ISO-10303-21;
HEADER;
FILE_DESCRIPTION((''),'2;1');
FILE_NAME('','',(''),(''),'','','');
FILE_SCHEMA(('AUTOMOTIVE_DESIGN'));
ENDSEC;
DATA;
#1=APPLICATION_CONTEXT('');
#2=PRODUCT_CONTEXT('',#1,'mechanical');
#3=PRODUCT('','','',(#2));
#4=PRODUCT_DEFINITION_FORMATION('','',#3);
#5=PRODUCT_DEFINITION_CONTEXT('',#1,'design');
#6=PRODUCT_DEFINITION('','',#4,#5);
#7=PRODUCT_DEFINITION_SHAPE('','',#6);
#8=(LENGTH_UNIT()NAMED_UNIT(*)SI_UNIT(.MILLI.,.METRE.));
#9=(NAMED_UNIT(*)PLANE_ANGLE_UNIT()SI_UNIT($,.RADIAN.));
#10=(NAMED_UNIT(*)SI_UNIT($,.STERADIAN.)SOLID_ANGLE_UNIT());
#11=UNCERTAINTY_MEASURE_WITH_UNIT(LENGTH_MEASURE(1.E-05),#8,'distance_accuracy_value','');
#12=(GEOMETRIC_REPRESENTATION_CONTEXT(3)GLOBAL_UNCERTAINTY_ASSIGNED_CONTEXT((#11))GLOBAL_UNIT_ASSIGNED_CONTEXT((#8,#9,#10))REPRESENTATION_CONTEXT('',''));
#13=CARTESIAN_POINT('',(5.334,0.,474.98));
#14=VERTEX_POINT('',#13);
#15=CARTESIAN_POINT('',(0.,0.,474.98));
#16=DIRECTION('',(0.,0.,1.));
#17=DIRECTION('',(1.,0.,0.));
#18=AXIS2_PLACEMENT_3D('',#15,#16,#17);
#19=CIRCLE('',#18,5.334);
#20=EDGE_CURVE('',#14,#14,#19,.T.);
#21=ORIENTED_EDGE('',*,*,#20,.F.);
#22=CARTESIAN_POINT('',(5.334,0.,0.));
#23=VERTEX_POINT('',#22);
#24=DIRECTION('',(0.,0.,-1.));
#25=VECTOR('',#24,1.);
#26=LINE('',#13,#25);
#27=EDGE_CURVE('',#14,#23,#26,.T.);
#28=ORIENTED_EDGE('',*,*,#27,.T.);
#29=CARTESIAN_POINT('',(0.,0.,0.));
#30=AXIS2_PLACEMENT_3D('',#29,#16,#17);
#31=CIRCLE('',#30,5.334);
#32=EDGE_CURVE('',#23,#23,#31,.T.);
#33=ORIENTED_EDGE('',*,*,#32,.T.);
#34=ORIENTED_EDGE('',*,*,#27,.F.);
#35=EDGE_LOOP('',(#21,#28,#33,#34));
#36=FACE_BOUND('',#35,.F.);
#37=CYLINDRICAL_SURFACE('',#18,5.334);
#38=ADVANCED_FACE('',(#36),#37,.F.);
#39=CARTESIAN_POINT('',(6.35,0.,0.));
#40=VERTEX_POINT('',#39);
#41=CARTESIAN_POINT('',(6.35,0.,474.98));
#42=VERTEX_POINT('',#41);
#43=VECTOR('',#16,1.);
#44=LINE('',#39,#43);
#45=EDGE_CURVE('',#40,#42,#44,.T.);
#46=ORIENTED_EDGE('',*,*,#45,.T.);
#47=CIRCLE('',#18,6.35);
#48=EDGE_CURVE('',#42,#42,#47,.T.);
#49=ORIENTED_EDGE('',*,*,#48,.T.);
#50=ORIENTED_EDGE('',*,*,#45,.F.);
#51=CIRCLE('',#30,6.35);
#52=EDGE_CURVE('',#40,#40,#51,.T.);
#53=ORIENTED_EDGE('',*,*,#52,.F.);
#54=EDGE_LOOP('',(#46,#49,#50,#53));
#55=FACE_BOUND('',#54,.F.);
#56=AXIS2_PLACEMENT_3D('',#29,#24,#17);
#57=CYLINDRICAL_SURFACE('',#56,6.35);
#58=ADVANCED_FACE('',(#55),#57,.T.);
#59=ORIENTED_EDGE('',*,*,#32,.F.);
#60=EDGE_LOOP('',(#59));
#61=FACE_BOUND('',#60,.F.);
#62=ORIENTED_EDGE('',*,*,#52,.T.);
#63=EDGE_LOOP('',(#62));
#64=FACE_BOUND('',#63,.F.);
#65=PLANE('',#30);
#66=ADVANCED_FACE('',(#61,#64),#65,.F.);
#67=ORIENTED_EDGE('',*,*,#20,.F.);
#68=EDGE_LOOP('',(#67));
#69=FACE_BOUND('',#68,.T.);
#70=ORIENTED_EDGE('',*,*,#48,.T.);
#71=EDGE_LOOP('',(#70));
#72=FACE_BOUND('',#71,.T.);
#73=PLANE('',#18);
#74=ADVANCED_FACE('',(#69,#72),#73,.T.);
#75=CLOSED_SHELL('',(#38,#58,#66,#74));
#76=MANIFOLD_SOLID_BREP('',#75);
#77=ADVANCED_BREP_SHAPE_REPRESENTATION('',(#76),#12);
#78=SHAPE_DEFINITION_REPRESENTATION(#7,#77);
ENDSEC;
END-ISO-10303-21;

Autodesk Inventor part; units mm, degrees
ref_plane "YZ Plane" through (0, 0, 0) normal (1, 0, 0) x (0, 1, 0)
ref_plane "XZ Plane" through (0, 0, 0) normal (0, 1, 0) x (-1, 0, 0)
ref_plane "XY Plane" through (0, 0, 0) normal (0, 0, 1) x (1, 0, 0)
sketch "Sketch1" plane through (0, 0, 0) normal (0, 0, 1) x (1, 0, 0)
  circle A0 centre (0, 0) radius 6.35
  dimension "d0" = 12.7
extrude "Extrusion1" add sketch "Sketch1" along normal blind 474.98
sketch "Sketch2" plane through (0, 0, 474.98) normal (0, 0, 1) x (1, 0, 0)
  circle A0 centre (0, 0) radius 5.334
  dimension "d3" = 10.668
extrude "Extrusion2" cut sketch "Sketch2" against normal blind 660.4
properties part number "perpendicular horizontal bar"
